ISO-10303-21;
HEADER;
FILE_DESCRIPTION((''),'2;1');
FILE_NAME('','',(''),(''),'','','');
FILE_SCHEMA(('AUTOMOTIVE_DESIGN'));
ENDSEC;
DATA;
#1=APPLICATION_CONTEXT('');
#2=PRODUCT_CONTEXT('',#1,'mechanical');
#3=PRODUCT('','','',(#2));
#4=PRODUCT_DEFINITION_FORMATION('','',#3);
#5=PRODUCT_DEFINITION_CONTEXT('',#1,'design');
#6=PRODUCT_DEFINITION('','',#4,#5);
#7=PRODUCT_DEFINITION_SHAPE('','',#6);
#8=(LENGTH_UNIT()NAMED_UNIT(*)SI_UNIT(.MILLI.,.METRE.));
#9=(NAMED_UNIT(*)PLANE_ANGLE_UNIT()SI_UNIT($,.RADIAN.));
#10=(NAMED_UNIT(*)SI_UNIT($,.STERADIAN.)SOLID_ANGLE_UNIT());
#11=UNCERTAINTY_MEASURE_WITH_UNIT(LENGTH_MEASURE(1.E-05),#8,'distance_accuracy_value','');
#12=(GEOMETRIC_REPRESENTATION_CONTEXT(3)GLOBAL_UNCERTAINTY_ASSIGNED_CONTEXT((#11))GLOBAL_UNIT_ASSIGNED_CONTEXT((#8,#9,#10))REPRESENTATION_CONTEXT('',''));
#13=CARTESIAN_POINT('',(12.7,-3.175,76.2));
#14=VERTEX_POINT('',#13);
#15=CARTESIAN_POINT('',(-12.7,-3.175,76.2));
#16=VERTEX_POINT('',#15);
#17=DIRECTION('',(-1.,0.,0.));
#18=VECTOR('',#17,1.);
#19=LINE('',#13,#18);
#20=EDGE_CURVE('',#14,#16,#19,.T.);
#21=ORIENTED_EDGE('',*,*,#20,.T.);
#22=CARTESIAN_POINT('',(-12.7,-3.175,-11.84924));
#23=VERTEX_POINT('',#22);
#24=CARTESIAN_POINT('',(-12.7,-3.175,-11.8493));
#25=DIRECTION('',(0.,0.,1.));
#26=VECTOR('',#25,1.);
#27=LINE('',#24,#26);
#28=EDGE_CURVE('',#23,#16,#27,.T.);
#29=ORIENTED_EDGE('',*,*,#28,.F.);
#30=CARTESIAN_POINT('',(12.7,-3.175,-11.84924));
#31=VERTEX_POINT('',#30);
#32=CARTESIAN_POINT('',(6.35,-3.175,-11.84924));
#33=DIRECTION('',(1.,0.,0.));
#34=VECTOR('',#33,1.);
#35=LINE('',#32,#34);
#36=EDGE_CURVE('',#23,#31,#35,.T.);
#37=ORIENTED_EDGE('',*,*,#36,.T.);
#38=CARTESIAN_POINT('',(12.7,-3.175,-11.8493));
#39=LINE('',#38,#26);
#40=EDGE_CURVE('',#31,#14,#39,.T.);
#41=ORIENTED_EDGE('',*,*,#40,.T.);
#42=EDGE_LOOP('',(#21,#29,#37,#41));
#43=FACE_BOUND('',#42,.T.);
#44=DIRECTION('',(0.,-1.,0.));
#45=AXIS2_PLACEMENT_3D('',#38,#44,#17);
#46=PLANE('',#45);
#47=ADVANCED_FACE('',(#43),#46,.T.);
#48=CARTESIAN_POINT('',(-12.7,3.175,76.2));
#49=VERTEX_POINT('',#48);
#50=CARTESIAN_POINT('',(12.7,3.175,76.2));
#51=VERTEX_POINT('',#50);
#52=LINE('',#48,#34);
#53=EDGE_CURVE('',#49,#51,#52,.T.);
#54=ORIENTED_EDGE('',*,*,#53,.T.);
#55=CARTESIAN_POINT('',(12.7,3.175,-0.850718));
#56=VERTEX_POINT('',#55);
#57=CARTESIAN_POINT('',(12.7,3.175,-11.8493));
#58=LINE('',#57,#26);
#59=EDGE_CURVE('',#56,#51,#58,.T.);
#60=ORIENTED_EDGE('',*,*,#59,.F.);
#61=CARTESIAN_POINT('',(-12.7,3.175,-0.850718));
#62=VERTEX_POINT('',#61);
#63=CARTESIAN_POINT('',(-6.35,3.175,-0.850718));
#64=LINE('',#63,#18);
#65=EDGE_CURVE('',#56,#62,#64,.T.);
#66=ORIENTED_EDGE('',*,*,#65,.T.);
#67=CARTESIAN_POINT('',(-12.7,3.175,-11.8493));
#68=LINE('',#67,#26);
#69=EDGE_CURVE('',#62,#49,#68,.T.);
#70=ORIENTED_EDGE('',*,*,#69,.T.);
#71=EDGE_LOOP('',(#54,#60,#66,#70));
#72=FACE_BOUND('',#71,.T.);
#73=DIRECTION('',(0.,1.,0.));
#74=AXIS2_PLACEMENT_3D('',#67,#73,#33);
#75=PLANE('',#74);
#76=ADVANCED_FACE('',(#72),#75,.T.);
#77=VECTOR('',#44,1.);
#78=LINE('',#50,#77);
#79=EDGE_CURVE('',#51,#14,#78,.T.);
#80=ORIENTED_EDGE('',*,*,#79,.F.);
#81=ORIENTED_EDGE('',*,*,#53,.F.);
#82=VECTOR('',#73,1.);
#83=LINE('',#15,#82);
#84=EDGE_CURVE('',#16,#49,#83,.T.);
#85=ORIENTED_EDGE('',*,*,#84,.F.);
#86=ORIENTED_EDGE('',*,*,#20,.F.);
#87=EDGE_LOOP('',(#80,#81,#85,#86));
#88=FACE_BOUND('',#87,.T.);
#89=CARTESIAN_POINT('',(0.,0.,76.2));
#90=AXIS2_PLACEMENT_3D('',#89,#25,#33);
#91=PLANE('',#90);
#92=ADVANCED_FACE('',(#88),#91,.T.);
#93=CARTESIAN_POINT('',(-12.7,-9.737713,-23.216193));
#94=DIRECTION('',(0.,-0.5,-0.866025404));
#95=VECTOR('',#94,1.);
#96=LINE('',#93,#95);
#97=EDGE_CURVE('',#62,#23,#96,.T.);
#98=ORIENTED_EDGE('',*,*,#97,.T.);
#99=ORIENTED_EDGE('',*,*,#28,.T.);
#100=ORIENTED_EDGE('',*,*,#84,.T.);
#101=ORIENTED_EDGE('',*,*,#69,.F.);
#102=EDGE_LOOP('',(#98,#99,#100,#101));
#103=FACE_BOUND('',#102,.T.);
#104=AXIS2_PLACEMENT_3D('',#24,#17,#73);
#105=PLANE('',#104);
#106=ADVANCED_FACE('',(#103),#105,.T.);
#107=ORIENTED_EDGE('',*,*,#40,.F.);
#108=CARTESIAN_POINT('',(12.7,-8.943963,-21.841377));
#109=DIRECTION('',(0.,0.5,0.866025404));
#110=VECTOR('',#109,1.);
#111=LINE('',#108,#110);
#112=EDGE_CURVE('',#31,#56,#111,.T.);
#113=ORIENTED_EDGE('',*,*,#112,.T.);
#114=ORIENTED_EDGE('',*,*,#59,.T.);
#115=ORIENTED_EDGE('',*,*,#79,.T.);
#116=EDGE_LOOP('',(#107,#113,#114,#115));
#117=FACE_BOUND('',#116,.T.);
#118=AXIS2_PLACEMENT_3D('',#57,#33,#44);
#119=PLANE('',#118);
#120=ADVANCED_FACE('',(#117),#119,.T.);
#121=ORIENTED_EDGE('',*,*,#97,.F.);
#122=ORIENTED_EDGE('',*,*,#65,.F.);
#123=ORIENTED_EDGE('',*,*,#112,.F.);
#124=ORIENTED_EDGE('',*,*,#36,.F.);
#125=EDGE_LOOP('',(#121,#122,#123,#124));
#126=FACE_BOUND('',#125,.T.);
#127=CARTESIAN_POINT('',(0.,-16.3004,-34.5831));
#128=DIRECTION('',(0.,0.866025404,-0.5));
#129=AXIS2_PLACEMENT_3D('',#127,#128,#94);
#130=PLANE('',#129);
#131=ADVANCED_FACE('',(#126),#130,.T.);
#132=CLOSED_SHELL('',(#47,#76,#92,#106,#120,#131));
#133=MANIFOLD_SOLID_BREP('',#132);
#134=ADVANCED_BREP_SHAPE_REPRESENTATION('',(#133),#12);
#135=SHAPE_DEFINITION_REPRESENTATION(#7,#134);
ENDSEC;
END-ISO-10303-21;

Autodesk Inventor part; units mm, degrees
ref_plane "Start plane" through (0, 0, -11.8493) normal (0, 0, 1) x (1, 0, 0)
ref_plane "End plane" through (0, 0, 76.2) normal (0, 0, 1) x (1, 0, 0)
sketch "Sketch" plane through (0, 0, 0) normal (0, 0, 1) x (1, 0, 0)
  line L0 (12.7, -3.175) -> (-12.7, -3.175)
  line L1 (-12.7, -3.175) -> (-12.7, 3.175)
  line L2 (-12.7, 3.175) -> (12.7, 3.175)
  line L3 (12.7, 3.175) -> (12.7, -3.175)
  line L4 (-6, 0) -> (8, 0) construction
  line L5 (0, -30) -> (0, 40) construction
  line L6 (0, 54) -> (0, -44) construction
  line L7 (-17.78, 0) -> (17.78, 0) construction
  dimension "d0" = 6.35
  dimension "d1" = 25.4
  dimension "d4" = 12.7
  dimension "d5" = 3.175
extrude "Body" add sketch "Sketch" along normal up to surface (88.0493 mm away) from surface at -11.8493
sketch "Sketch3" plane through (0, 0, 0) normal (0, 0, 1) x (1, 0, 0)
  line L0 (0, 0) -> (10, 0)
ref_plane "Work Plane3" through (0, 0, 0) normal (0, -1, 0) x (1, 0, 0)
sketch "Sketch4" plane through (0, 0, 0) normal (0, -1, 0) x (1, 0, 0)
  line L0 (-2, -11.8493) -> (12, -11.8493)
  line L1 (-2, 76.2) -> (12, 76.2)
  dimension "d9" = 88.0493
ref_plane "Work Plane4" through (0, -16.3004, -34.5831) normal (0, 0.866, -0.5) x (1, 0, 0)
split "Split1" plane through (0, -16.3004, -34.5831) removes the side toward (0, 0.866, -0.5)
equation "\"d0\" = G_W"
equation "\"d1\" = G_H"
equation "\"d4\" = 0.5 * d1"
equation "\"d5\" = 0.5 * d0"
equation "\"d2\" = G_L"
equation "\"G_W\" = 6.35"
equation "\"G_H\" = 25.4"
equation "\"G_L\" = d9"
equation "\"G_OFFSET_START\" = 11.84926"
equation "\"G_OFFSET_END\" = 0"
equation "\"d6\" = -G_OFFSET_START"
equation "\"d7\" = G_OFFSET_END + B_L"
equation "\"B_L\" = 76.2"
properties part number "AISC - 1/4x1 - 3.467" material "Steel, Mild"
